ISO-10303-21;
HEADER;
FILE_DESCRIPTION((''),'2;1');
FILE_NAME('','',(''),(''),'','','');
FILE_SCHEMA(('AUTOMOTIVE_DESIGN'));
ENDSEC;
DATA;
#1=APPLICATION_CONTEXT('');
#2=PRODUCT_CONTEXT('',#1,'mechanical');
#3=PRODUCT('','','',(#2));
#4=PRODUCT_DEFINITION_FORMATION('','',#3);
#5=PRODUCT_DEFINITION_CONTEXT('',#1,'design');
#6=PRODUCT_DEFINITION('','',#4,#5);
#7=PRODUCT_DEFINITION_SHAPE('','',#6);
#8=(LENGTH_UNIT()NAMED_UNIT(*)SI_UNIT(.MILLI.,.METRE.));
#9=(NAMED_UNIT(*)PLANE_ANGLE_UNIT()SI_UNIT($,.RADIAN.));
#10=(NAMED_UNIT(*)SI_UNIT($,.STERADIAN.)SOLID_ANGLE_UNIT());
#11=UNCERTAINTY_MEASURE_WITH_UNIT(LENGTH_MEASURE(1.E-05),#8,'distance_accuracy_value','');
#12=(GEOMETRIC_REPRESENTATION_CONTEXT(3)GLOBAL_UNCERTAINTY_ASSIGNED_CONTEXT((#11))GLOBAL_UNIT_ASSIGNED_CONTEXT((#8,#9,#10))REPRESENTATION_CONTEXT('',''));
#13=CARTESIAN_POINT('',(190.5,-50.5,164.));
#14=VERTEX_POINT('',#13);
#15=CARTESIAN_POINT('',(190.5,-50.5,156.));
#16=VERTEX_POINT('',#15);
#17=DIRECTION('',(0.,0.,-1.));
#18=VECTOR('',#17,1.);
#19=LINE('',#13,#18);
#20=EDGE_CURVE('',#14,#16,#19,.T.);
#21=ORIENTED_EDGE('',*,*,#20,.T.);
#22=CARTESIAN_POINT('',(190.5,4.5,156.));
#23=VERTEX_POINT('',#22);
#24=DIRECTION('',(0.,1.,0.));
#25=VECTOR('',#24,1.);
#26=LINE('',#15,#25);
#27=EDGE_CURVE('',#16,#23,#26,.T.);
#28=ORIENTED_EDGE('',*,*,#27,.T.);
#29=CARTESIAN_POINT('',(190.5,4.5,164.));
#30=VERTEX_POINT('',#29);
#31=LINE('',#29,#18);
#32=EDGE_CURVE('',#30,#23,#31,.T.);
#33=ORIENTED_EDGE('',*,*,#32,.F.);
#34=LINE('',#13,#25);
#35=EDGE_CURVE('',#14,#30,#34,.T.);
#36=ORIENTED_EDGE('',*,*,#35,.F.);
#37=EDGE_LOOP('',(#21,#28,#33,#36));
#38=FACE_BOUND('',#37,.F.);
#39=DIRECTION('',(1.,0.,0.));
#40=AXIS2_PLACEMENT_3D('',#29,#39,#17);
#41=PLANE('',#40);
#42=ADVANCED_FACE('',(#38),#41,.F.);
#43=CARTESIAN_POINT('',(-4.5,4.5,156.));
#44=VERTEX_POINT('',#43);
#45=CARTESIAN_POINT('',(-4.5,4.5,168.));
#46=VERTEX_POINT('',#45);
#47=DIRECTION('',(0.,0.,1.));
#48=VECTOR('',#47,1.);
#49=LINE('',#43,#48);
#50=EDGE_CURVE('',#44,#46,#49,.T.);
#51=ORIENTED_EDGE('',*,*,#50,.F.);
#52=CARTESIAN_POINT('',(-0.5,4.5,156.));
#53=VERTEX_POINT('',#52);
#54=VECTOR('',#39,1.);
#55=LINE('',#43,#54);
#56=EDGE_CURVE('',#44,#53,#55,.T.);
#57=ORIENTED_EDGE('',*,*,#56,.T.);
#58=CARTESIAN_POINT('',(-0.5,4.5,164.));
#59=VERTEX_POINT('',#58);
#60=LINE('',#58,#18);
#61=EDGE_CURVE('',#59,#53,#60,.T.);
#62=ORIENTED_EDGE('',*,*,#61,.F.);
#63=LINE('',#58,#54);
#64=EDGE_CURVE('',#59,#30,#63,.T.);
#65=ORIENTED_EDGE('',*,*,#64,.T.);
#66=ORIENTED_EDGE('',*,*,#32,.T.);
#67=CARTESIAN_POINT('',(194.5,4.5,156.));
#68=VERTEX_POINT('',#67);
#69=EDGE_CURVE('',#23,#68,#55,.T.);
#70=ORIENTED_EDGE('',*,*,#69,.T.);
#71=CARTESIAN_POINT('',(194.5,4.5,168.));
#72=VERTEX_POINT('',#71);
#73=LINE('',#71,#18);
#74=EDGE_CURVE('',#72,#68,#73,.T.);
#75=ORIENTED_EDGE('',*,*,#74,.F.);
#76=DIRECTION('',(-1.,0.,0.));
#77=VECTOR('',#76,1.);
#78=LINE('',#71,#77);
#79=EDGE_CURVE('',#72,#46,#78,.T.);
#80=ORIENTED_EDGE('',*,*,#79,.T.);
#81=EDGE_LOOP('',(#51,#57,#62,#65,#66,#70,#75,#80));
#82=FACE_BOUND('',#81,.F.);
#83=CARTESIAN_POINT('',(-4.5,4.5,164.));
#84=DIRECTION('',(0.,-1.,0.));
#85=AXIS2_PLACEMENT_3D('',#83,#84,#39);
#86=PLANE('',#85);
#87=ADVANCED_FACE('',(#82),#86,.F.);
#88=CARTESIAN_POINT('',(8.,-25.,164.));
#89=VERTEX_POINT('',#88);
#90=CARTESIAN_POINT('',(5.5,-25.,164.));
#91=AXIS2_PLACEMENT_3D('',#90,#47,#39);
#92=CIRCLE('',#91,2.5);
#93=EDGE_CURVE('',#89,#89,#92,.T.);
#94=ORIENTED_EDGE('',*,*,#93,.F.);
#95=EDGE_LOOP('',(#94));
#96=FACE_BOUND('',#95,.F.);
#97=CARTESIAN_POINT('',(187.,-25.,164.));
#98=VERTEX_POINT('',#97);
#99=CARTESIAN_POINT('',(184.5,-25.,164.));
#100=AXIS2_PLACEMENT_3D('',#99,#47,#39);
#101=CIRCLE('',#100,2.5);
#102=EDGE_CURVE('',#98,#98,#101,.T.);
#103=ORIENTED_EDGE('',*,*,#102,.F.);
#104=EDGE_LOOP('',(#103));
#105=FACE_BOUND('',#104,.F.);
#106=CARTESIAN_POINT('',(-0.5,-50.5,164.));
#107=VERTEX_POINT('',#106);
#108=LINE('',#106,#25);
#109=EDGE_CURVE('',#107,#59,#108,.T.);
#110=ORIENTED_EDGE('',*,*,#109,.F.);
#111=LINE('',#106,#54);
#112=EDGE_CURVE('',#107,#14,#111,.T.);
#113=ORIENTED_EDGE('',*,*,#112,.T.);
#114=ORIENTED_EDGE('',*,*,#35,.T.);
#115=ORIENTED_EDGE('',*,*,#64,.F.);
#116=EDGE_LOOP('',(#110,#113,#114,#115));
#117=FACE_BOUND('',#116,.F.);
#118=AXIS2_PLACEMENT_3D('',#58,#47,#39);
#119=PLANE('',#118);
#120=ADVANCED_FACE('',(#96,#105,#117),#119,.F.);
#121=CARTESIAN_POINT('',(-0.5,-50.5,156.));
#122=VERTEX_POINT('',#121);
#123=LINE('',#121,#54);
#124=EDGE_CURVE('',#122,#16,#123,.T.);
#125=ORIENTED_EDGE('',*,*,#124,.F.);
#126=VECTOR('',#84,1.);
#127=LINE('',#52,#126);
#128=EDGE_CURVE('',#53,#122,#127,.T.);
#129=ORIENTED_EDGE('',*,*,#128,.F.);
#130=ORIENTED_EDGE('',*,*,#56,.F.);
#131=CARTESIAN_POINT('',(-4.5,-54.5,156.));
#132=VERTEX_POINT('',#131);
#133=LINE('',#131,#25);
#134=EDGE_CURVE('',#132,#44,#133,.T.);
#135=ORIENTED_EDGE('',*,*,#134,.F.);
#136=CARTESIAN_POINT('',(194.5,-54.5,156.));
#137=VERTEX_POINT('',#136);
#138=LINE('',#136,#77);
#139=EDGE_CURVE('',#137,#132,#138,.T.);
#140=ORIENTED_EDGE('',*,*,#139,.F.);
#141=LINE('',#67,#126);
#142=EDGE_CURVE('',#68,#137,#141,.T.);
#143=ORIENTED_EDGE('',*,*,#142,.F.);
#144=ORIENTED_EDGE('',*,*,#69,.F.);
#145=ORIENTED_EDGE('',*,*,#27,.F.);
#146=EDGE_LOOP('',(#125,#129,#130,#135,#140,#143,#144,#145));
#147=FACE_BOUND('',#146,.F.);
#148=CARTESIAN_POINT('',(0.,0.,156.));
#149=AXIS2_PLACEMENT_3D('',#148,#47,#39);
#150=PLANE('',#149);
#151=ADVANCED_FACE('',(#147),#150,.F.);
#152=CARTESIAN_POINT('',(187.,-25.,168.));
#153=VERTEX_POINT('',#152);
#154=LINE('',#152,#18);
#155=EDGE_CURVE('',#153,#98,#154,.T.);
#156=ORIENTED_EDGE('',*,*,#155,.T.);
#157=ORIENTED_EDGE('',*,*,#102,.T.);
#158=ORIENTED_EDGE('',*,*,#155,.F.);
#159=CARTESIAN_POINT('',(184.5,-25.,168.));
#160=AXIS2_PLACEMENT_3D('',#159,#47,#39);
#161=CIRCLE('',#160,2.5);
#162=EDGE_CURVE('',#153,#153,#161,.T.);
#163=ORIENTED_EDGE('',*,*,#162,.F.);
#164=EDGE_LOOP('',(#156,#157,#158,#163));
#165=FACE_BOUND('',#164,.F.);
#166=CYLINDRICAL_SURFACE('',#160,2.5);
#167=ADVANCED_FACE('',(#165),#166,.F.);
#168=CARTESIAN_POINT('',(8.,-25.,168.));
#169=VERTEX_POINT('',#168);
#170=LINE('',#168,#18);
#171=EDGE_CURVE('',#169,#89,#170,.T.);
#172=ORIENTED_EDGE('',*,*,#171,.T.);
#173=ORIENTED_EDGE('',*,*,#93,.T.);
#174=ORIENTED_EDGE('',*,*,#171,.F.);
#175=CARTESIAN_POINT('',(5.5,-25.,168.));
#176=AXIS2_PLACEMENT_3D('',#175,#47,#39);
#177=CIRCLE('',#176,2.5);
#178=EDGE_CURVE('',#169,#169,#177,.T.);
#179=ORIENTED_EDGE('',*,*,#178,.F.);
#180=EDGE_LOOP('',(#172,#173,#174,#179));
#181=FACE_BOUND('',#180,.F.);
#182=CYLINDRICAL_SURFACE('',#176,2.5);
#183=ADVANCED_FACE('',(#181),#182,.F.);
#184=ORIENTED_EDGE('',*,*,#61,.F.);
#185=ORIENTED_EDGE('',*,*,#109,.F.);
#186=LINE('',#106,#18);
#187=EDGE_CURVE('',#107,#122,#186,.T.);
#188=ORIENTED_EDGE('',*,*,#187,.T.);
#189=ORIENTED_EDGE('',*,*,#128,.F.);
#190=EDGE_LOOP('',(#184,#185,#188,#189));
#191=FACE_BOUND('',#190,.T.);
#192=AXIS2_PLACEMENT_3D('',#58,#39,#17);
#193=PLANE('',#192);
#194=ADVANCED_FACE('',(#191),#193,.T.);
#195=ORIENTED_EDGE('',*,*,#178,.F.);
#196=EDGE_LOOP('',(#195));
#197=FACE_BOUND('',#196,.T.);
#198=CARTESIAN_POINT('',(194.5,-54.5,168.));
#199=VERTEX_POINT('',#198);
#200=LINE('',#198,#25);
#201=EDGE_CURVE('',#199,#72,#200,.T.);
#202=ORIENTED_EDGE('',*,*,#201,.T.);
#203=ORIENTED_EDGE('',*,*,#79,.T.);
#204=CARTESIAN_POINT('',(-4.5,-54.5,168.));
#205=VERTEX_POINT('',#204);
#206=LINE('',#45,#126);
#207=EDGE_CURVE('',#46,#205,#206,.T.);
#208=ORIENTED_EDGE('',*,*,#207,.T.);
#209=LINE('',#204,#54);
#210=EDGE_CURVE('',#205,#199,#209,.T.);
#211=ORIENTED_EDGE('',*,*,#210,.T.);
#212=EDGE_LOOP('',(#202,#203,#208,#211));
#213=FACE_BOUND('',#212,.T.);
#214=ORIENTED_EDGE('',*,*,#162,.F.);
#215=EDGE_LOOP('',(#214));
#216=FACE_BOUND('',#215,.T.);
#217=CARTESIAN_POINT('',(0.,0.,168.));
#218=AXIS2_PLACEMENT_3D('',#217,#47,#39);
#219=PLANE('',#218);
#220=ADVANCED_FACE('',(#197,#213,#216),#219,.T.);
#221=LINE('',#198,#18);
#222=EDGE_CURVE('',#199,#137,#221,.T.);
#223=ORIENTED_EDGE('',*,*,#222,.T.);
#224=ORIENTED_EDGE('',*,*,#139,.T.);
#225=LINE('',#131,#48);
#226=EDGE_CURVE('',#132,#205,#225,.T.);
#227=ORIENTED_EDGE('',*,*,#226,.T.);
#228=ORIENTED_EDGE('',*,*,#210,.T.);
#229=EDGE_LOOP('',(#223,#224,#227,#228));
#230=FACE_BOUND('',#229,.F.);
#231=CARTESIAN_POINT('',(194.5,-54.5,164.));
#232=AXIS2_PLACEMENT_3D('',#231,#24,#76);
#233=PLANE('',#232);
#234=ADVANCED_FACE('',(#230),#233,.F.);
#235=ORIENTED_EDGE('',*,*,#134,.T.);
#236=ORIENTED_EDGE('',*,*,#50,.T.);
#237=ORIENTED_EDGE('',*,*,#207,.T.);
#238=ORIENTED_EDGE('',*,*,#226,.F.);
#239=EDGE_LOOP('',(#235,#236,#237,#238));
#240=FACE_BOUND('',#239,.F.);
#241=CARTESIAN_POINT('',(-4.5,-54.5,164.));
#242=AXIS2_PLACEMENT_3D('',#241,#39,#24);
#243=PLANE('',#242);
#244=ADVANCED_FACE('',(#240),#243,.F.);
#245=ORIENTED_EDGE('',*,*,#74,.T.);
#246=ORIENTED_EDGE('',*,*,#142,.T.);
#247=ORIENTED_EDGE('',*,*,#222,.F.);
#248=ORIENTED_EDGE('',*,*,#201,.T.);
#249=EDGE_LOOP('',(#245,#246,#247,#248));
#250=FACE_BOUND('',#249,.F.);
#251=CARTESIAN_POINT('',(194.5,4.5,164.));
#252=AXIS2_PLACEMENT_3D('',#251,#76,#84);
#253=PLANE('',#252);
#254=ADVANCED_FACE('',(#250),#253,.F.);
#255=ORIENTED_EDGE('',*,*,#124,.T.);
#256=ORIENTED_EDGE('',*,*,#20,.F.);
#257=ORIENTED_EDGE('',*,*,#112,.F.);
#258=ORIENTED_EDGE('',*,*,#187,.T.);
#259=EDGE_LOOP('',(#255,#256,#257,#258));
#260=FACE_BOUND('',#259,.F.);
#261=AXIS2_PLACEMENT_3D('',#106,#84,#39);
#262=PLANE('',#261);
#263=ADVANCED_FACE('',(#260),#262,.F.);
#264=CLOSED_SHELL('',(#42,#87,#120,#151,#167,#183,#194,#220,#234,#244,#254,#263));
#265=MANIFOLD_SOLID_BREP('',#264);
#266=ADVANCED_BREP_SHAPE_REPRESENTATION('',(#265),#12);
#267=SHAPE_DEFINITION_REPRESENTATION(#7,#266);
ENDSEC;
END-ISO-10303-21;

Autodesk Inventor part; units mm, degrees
ref_plane "YZ Plane" through (0, 0, 0) normal (1, 0, 0) x (0, 1, 0)
ref_plane "XZ Plane" through (0, 0, 0) normal (0, 1, 0) x (-1, 0, 0)
ref_plane "Pracovní rovina11" through (0, 0, 164) normal (0, 0, 1) x (1, 0, 0)
sketch "Náčrt11" plane through (0, 0, 164) normal (0, 0, 1) x (1, 0, 0)
  line L0 (-0.5, -50.5) -> (190.5, -50.5)
  line L1 (190.5, -50.5) -> (190.5, 0.5)
  line L2 (190.5, 0.5) -> (-0.5, 0.5)
  line L3 (-0.5, 0.5) -> (-0.5, -50.5)
  line L4 (0, 0) -> (0, -50) projected
  line L5 (190, -50) -> (190, 0) projected
  line L6 (190, 0) -> (0, 0) projected
  line L7 (182, -50) -> (58, -50) projected
  line L8 (-4.5, 4.5) -> (194.5, 4.5)
  line L9 (194.5, 4.5) -> (194.5, -54.5)
  line L10 (194.5, -54.5) -> (-4.5, -54.5)
  line L11 (-4.5, -54.5) -> (-4.5, 4.5)
  dimension "d43" = 0.5
  dimension "d44" = 0.5
  dimension "d45" = 0.5
  dimension "d46" = 0.5
  dimension "d47" = 4
extrude "Vysunutí11" add sketch "Náčrt11" against normal blind 8
sketch "Náčrt12" plane through (0, 0, 164) normal (0, 0, 1) x (1, 0, 0)
  line L0 (-4.5, 4.5) -> (-4.5, -54.5) projected
  line L1 (194.5, 4.5) -> (-4.5, 4.5) projected
  line L2 (194.5, -54.5) -> (194.5, 4.5) projected
  line L3 (-4.5, -54.5) -> (194.5, -54.5) projected
  point P0 (0, 0)
extrude "Vysunutí12" add sketch "Náčrt12" along normal blind 4
sketch "Náčrt13" plane through (0, 0, 168) normal (0, 0, 1) x (1, 0, 0)
  circle A0 centre (5.5, -25) radius 2.5
  circle A1 centre (184.5, -25) radius 2.5
  line L0 (-4.5, -54.5) -> (194.5, -54.5) projected
  line L1 (194.5, 4.5) -> (-4.5, 4.5) projected
  line L2 (-4.5, 4.5) -> (-4.5, -54.5) projected
  line L3 (194.5, -54.5) -> (194.5, 4.5) projected
  point P0 (0, 0)
  dimension "d52" = 5
  dimension "d53" = 5
  dimension "d54" = 59
  dimension "d55" = 29.5
  dimension "d56" = 29.5
  dimension "d57" = 10
  dimension "d58" = 10
extrude "Vysunutí13" cut sketch "Náčrt13" against normal through all contours A0 | A1
sketch "Náčrt14" plane through (-4.5, 4.5, 156) normal (0, 1, 0) x (1, 0, 0)
  line L0 (4, -8) -> (4, 0) projected
  line L1 (195, -8) -> (195, 0) projected
  line L2 (4, -8) -> (195, -8) projected
  line L3 (0, 0) -> (199, 0) projected
  point P0 (4.5, 156)
extrude "Vysunutí14" cut sketch "Náčrt14" against normal up to surface (4 mm away)
properties part number "krab1"
